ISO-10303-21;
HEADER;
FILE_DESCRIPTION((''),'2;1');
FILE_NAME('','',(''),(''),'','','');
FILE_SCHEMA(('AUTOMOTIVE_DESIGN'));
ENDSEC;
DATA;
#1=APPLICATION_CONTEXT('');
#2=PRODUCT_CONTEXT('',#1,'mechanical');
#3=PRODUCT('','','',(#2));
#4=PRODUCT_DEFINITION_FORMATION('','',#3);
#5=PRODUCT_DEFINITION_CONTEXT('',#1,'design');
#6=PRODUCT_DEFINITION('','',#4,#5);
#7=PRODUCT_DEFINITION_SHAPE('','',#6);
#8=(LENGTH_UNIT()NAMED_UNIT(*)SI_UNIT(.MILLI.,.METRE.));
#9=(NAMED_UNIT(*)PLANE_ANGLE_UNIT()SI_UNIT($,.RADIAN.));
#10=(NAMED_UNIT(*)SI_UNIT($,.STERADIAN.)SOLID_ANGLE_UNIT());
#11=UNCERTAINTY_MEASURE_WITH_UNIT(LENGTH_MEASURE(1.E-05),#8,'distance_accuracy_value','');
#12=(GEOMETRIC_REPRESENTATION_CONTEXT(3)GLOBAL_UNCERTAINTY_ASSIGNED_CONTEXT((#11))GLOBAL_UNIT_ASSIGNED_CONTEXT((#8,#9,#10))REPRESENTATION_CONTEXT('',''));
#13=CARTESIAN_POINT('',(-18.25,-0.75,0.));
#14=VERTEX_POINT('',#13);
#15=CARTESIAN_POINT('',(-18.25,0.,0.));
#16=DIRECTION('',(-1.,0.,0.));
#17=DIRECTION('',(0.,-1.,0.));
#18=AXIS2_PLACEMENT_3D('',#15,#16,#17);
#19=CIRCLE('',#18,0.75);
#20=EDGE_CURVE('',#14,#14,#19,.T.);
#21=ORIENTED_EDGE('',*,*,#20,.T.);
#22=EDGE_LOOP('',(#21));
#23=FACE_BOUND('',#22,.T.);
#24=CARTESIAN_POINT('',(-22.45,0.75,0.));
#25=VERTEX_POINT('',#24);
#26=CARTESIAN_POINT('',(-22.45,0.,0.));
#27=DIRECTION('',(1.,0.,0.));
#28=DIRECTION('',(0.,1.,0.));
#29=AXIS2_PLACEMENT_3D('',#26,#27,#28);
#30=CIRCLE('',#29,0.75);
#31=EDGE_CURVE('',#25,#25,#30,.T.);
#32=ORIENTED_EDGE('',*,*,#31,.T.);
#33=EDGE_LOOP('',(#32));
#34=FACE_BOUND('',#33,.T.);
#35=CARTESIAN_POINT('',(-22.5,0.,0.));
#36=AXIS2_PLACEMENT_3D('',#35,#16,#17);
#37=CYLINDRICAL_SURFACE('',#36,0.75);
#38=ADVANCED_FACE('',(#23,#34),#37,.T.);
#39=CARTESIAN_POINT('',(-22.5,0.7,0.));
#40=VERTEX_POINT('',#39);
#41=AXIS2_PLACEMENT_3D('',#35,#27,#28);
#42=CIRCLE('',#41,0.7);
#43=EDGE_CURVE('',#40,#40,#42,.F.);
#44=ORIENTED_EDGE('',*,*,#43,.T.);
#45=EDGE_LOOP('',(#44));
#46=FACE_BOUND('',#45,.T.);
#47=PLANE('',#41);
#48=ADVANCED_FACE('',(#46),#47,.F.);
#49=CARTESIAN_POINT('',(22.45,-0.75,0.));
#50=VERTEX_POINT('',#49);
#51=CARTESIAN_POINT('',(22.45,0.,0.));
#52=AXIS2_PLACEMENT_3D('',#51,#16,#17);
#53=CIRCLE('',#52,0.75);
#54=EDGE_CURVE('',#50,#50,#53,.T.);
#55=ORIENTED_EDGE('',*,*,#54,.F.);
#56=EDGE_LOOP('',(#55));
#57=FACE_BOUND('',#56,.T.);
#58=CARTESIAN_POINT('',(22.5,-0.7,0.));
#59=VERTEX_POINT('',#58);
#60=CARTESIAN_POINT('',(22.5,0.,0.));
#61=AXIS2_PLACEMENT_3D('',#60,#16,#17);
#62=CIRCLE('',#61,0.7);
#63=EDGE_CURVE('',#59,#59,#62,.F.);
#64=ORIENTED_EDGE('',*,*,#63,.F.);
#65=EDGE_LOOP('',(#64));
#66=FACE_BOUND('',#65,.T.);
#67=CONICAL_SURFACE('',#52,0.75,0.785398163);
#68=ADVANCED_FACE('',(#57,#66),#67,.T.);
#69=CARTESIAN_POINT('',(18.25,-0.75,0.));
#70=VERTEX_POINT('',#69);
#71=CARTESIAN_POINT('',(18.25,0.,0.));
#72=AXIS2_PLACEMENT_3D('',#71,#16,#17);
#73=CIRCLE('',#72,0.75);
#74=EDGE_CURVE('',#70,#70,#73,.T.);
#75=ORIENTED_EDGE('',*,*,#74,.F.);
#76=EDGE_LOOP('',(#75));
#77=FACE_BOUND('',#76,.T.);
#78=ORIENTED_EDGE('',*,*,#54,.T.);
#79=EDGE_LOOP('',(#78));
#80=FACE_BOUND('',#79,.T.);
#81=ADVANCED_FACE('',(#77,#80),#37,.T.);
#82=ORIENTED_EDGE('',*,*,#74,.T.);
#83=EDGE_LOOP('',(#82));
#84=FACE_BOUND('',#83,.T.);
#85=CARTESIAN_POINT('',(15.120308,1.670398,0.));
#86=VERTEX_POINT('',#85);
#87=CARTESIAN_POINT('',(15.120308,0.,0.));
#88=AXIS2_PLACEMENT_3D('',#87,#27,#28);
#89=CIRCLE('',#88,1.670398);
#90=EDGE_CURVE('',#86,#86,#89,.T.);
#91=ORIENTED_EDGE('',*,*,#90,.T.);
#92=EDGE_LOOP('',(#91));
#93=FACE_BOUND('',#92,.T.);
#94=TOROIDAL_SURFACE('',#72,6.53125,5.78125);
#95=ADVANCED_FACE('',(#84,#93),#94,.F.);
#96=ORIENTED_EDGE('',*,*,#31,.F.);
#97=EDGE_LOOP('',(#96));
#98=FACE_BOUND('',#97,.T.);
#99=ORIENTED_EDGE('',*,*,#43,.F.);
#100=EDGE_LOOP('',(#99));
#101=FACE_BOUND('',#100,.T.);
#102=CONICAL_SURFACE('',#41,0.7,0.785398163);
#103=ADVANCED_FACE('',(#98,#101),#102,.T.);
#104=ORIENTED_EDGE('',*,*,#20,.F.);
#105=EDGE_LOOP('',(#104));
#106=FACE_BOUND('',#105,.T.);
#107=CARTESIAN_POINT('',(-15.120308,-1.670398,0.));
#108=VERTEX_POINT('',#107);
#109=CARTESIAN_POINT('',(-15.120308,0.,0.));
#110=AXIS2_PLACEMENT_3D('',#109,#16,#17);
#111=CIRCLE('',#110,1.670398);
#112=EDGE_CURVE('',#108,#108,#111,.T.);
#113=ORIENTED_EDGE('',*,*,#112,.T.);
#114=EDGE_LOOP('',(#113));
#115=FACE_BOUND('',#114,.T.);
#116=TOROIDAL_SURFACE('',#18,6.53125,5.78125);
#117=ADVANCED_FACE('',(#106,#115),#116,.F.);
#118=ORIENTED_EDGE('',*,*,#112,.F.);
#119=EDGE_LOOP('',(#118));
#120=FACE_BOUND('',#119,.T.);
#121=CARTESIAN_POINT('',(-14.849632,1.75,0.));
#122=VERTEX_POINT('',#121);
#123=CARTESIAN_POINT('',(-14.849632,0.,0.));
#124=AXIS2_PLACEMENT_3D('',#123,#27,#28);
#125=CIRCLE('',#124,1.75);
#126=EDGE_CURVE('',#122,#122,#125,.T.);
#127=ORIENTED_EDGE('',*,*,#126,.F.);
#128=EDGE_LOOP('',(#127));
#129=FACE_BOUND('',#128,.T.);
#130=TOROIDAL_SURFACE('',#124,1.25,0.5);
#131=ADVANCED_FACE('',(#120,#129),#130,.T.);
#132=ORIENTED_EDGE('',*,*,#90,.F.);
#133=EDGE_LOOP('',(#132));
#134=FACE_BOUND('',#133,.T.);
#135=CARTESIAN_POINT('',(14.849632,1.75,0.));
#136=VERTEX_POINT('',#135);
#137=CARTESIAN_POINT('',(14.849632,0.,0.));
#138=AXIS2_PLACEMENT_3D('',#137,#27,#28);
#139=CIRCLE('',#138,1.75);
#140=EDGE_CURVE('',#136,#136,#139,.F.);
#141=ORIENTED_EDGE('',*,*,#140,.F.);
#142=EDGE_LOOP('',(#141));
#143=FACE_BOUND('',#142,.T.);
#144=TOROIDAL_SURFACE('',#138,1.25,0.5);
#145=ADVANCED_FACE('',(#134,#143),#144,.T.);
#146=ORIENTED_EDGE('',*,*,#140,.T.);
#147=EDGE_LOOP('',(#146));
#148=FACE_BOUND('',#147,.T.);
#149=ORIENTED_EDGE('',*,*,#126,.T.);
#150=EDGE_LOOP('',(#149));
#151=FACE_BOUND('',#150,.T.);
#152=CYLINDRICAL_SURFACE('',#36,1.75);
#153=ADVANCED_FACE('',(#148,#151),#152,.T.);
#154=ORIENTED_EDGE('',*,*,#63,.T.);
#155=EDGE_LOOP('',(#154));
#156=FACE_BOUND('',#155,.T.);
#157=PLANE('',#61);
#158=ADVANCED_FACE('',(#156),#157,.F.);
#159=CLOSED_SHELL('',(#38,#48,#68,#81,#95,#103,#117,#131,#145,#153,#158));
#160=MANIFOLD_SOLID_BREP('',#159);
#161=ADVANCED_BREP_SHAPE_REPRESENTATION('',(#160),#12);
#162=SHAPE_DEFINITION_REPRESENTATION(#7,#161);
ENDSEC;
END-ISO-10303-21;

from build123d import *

# Parameters (mm, degrees)
FILLET1_R     = 0.5
CHAMFER1_SIZE = 0.05


with BuildPart() as part:
    # Sketch1 → Revolve1 (revolve)
    with BuildSketch(Plane.XY, mode=Mode.PRIVATE) as revolve1_sk:
        with BuildLine():
            Line((-22.5, 0), (22.5, 0))
            Line((22.5, 0), (22.5, 0.75))
            Line((22.5, 0.75), (18.25, 0.75))
            ThreePointArc((18.25, 0.75), (16.549816186, 1.005652606), (15, 1.75))
            Line((15, 1.75), (-15, 1.75))
            ThreePointArc((-15, 1.75), (-16.549816186, 1.005652606), (-18.25, 0.75))
            Line((-18.25, 0.75), (-22.5, 0.75))
            Line((-22.5, 0.75), (-22.5, 0))
        make_face()
    revolve(revolve1_sk.sketch.rotate(Axis((-22.5, 0, 0), (1, 0, 0)), 180), axis=Axis((-22.5, 0, 0), (1, 0, 0)))

    # Fillet1
    fillet1_edges = [part.edges().sort_by_distance(p)[0] for p in [
        (-15, 1.75, 0),
        (15, 1.75, 0),
    ]]
    fillet(fillet1_edges, radius=FILLET1_R)

    # Chamfer1
    chamfer1_edges = [part.edges().sort_by_distance(p)[0] for p in [
        (-22.5, 0.75, 0),
        (22.5, 0.75, 0),
    ]]
    chamfer(chamfer1_edges, length=CHAMFER1_SIZE)


solid = part.part
